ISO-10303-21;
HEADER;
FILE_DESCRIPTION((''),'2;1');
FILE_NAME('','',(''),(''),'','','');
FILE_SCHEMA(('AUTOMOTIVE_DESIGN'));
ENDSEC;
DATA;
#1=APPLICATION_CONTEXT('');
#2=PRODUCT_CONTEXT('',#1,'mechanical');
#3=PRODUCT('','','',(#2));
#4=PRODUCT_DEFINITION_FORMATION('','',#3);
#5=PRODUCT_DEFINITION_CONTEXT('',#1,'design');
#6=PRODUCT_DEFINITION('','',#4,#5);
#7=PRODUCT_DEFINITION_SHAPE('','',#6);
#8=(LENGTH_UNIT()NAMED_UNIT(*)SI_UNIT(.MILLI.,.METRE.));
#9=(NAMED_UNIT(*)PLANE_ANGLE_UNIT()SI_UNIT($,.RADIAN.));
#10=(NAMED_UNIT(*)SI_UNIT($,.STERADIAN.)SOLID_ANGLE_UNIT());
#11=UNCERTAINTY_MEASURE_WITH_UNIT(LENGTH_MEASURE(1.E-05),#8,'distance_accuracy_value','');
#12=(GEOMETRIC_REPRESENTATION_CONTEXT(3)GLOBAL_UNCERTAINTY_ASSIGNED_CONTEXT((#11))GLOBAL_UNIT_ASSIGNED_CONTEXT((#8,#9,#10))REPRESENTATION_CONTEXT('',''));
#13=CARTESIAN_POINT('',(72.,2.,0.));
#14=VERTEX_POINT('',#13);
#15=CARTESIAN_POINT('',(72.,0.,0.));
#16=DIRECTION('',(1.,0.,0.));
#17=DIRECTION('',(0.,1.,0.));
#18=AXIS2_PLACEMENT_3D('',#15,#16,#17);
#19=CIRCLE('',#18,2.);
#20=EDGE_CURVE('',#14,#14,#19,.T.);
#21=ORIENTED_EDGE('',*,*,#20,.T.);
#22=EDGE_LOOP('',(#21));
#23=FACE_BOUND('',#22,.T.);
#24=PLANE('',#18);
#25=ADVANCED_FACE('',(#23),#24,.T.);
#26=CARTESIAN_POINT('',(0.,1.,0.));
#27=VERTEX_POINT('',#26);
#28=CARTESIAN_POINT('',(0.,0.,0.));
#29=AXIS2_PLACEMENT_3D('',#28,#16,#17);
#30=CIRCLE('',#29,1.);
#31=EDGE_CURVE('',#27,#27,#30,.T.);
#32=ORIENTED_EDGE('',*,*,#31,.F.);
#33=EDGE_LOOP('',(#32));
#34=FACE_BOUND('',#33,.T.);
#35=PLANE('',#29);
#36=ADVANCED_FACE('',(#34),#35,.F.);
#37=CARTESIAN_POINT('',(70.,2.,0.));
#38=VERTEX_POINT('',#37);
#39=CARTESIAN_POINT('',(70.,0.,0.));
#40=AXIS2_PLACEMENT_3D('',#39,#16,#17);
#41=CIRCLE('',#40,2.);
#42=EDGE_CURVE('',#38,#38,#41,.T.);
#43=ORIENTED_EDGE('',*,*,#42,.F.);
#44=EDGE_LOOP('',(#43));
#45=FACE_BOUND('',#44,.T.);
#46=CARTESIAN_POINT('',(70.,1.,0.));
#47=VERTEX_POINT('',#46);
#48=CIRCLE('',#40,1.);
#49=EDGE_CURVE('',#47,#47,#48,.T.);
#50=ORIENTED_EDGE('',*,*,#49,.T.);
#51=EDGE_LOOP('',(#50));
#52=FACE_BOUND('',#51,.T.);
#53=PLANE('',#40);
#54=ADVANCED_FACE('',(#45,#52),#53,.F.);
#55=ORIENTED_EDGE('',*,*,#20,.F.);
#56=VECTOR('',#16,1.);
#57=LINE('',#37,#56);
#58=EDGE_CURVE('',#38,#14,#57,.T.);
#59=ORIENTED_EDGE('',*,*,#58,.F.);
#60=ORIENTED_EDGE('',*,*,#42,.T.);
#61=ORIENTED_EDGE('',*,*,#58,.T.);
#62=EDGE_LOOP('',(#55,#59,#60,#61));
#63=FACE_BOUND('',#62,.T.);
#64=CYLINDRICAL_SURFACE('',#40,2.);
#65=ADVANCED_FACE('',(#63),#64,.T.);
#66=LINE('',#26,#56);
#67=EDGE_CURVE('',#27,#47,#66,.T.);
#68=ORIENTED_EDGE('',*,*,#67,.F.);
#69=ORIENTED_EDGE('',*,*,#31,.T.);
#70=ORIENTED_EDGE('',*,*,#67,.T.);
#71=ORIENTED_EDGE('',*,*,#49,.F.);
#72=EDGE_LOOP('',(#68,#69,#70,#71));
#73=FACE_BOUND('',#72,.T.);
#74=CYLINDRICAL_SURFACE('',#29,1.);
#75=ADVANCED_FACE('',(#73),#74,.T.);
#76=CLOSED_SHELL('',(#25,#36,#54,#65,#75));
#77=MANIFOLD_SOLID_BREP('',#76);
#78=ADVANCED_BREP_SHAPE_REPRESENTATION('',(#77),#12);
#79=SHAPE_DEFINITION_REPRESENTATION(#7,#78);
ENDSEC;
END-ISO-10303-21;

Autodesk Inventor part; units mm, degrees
ref_plane "Start Plane" through (0, 0, 0) normal (1, 0, 0) x (0, 1, 0)
ref_plane "XZ Plane" through (0, 0, 0) normal (0, 1, 0) x (-1, 0, 0)
ref_plane "XY Plane" through (0, 0, 0) normal (0, 0, 1) x (1, 0, 0)
sketch "Main Sketch" plane through (0, 0, 0) normal (0, 0, 1) x (1, 0, 0)
  line L0 (0, 0) -> (72, 0)
  line L1 (0, 0) -> (0, 1)
  line L2 (0, 1) -> (70, 1)
  line L3 (70, 1) -> (70, 2)
  line L4 (72, 2) -> (72, 0)
  line L5 (70, 2) -> (72, 2)
  dimension "d3" = 2
  dimension "d4" = 4
revolve "Revolution1" add sketch "Main Sketch" angle 360 about axis through (0, 0, 0) along (1, 0, 0)
properties part number "Shaft" material "Steel"
